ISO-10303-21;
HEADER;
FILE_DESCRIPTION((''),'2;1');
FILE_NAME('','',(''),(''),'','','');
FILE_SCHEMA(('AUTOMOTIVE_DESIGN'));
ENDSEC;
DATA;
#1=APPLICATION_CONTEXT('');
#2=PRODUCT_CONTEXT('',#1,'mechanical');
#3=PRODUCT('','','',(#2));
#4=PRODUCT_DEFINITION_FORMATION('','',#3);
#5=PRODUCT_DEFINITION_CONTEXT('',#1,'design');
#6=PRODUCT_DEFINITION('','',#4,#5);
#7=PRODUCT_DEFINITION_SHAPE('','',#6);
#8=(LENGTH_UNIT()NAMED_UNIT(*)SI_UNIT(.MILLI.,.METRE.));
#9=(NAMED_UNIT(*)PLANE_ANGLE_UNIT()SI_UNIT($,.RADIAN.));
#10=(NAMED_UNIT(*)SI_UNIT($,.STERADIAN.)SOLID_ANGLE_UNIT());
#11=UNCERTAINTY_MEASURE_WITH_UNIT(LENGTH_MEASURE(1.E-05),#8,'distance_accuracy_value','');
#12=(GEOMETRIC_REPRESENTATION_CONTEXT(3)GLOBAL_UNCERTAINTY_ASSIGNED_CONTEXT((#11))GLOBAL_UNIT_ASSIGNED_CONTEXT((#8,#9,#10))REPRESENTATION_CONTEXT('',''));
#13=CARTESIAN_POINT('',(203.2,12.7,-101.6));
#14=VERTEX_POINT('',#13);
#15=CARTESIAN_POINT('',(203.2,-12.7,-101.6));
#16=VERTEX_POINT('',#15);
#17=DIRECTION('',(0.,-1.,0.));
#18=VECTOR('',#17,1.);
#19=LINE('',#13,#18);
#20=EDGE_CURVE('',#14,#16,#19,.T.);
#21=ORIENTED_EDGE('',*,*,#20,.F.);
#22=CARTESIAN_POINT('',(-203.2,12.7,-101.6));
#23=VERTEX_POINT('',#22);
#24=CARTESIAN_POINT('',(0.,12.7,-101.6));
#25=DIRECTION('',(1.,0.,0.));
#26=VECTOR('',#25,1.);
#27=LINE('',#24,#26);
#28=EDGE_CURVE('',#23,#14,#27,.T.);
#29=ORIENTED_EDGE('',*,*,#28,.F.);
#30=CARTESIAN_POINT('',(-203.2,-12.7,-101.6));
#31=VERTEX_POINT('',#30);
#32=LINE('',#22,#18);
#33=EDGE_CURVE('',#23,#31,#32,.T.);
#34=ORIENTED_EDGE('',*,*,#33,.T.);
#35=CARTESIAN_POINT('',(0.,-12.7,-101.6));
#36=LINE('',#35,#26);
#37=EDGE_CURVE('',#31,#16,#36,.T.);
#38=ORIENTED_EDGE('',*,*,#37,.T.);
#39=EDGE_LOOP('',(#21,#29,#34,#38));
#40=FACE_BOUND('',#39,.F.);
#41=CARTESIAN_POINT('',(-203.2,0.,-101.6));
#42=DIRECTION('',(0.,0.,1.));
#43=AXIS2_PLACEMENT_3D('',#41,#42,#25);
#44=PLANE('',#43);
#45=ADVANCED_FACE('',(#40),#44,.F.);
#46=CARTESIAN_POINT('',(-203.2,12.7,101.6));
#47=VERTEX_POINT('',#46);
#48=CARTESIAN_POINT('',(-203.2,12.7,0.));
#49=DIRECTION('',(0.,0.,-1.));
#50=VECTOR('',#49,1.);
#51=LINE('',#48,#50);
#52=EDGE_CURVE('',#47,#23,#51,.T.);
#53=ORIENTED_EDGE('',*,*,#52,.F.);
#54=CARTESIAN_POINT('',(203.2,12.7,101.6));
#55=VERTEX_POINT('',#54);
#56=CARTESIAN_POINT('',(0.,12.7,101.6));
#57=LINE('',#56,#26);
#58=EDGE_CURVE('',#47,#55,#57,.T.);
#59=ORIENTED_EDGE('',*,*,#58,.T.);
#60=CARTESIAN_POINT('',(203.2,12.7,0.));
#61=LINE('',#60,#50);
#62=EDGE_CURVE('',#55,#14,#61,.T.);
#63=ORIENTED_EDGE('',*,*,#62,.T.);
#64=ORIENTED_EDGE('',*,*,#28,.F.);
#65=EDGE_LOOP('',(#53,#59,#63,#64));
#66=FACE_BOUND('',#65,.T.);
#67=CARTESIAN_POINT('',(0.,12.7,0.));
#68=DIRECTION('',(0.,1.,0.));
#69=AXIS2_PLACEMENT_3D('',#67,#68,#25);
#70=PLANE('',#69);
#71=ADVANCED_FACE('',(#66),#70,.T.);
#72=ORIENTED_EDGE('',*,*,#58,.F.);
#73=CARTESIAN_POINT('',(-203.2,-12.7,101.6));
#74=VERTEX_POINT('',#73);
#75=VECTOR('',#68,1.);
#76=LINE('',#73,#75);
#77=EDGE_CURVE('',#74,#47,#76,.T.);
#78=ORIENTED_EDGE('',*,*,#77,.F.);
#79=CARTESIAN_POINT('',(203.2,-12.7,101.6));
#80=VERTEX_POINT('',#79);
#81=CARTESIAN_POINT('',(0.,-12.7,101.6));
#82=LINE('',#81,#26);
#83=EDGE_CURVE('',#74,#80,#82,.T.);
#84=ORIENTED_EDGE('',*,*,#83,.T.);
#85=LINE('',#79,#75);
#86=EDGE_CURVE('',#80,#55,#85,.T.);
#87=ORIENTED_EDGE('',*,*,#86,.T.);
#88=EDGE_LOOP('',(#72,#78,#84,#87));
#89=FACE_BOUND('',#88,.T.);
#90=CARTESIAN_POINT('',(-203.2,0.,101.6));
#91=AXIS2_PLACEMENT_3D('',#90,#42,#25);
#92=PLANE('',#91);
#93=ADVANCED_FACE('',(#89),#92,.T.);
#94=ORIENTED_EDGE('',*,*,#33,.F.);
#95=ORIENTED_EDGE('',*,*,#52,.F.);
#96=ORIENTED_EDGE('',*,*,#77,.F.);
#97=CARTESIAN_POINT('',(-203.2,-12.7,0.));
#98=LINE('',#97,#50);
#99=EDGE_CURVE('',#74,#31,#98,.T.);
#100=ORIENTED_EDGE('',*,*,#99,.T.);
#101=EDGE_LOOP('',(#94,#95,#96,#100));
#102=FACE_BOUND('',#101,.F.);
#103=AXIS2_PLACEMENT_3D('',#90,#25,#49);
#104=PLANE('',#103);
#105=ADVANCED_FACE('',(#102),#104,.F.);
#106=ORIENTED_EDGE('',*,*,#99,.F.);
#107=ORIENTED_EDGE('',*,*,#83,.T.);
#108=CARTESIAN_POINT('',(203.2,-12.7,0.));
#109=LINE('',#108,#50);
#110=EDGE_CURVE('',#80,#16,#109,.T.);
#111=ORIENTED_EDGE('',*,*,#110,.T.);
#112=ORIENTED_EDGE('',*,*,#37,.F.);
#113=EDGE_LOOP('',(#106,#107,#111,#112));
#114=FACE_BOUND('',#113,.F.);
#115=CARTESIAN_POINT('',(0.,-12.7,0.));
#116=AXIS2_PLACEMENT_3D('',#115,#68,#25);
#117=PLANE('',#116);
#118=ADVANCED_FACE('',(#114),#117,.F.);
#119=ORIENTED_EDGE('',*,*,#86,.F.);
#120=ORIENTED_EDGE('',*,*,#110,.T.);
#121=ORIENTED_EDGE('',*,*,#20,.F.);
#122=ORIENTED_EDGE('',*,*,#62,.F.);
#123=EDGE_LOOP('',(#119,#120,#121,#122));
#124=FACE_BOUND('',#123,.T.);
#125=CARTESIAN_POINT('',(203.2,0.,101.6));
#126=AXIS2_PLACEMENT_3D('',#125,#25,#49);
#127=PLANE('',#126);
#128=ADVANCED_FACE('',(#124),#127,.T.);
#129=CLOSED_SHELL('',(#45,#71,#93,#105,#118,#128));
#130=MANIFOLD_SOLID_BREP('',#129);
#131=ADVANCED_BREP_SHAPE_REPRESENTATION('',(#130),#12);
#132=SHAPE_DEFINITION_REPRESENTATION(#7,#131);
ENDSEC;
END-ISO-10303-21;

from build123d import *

# Parameters (mm, degrees)
SKETCH1_W           = 406.4
SKETCH1_H           = 203.2
BOSS_EXTRUDE1_DEPTH = 12.7


with BuildPart() as part:
    # Sketch1 → Boss-Extrude1 (new body, symmetric)
    with BuildSketch(Plane(origin=(0, 0, 0), x_dir=(1, 0, 0), z_dir=(0, 1, 0))):
        Rectangle(SKETCH1_W, SKETCH1_H)
    extrude(amount=BOSS_EXTRUDE1_DEPTH, both=True)


solid = part.part
